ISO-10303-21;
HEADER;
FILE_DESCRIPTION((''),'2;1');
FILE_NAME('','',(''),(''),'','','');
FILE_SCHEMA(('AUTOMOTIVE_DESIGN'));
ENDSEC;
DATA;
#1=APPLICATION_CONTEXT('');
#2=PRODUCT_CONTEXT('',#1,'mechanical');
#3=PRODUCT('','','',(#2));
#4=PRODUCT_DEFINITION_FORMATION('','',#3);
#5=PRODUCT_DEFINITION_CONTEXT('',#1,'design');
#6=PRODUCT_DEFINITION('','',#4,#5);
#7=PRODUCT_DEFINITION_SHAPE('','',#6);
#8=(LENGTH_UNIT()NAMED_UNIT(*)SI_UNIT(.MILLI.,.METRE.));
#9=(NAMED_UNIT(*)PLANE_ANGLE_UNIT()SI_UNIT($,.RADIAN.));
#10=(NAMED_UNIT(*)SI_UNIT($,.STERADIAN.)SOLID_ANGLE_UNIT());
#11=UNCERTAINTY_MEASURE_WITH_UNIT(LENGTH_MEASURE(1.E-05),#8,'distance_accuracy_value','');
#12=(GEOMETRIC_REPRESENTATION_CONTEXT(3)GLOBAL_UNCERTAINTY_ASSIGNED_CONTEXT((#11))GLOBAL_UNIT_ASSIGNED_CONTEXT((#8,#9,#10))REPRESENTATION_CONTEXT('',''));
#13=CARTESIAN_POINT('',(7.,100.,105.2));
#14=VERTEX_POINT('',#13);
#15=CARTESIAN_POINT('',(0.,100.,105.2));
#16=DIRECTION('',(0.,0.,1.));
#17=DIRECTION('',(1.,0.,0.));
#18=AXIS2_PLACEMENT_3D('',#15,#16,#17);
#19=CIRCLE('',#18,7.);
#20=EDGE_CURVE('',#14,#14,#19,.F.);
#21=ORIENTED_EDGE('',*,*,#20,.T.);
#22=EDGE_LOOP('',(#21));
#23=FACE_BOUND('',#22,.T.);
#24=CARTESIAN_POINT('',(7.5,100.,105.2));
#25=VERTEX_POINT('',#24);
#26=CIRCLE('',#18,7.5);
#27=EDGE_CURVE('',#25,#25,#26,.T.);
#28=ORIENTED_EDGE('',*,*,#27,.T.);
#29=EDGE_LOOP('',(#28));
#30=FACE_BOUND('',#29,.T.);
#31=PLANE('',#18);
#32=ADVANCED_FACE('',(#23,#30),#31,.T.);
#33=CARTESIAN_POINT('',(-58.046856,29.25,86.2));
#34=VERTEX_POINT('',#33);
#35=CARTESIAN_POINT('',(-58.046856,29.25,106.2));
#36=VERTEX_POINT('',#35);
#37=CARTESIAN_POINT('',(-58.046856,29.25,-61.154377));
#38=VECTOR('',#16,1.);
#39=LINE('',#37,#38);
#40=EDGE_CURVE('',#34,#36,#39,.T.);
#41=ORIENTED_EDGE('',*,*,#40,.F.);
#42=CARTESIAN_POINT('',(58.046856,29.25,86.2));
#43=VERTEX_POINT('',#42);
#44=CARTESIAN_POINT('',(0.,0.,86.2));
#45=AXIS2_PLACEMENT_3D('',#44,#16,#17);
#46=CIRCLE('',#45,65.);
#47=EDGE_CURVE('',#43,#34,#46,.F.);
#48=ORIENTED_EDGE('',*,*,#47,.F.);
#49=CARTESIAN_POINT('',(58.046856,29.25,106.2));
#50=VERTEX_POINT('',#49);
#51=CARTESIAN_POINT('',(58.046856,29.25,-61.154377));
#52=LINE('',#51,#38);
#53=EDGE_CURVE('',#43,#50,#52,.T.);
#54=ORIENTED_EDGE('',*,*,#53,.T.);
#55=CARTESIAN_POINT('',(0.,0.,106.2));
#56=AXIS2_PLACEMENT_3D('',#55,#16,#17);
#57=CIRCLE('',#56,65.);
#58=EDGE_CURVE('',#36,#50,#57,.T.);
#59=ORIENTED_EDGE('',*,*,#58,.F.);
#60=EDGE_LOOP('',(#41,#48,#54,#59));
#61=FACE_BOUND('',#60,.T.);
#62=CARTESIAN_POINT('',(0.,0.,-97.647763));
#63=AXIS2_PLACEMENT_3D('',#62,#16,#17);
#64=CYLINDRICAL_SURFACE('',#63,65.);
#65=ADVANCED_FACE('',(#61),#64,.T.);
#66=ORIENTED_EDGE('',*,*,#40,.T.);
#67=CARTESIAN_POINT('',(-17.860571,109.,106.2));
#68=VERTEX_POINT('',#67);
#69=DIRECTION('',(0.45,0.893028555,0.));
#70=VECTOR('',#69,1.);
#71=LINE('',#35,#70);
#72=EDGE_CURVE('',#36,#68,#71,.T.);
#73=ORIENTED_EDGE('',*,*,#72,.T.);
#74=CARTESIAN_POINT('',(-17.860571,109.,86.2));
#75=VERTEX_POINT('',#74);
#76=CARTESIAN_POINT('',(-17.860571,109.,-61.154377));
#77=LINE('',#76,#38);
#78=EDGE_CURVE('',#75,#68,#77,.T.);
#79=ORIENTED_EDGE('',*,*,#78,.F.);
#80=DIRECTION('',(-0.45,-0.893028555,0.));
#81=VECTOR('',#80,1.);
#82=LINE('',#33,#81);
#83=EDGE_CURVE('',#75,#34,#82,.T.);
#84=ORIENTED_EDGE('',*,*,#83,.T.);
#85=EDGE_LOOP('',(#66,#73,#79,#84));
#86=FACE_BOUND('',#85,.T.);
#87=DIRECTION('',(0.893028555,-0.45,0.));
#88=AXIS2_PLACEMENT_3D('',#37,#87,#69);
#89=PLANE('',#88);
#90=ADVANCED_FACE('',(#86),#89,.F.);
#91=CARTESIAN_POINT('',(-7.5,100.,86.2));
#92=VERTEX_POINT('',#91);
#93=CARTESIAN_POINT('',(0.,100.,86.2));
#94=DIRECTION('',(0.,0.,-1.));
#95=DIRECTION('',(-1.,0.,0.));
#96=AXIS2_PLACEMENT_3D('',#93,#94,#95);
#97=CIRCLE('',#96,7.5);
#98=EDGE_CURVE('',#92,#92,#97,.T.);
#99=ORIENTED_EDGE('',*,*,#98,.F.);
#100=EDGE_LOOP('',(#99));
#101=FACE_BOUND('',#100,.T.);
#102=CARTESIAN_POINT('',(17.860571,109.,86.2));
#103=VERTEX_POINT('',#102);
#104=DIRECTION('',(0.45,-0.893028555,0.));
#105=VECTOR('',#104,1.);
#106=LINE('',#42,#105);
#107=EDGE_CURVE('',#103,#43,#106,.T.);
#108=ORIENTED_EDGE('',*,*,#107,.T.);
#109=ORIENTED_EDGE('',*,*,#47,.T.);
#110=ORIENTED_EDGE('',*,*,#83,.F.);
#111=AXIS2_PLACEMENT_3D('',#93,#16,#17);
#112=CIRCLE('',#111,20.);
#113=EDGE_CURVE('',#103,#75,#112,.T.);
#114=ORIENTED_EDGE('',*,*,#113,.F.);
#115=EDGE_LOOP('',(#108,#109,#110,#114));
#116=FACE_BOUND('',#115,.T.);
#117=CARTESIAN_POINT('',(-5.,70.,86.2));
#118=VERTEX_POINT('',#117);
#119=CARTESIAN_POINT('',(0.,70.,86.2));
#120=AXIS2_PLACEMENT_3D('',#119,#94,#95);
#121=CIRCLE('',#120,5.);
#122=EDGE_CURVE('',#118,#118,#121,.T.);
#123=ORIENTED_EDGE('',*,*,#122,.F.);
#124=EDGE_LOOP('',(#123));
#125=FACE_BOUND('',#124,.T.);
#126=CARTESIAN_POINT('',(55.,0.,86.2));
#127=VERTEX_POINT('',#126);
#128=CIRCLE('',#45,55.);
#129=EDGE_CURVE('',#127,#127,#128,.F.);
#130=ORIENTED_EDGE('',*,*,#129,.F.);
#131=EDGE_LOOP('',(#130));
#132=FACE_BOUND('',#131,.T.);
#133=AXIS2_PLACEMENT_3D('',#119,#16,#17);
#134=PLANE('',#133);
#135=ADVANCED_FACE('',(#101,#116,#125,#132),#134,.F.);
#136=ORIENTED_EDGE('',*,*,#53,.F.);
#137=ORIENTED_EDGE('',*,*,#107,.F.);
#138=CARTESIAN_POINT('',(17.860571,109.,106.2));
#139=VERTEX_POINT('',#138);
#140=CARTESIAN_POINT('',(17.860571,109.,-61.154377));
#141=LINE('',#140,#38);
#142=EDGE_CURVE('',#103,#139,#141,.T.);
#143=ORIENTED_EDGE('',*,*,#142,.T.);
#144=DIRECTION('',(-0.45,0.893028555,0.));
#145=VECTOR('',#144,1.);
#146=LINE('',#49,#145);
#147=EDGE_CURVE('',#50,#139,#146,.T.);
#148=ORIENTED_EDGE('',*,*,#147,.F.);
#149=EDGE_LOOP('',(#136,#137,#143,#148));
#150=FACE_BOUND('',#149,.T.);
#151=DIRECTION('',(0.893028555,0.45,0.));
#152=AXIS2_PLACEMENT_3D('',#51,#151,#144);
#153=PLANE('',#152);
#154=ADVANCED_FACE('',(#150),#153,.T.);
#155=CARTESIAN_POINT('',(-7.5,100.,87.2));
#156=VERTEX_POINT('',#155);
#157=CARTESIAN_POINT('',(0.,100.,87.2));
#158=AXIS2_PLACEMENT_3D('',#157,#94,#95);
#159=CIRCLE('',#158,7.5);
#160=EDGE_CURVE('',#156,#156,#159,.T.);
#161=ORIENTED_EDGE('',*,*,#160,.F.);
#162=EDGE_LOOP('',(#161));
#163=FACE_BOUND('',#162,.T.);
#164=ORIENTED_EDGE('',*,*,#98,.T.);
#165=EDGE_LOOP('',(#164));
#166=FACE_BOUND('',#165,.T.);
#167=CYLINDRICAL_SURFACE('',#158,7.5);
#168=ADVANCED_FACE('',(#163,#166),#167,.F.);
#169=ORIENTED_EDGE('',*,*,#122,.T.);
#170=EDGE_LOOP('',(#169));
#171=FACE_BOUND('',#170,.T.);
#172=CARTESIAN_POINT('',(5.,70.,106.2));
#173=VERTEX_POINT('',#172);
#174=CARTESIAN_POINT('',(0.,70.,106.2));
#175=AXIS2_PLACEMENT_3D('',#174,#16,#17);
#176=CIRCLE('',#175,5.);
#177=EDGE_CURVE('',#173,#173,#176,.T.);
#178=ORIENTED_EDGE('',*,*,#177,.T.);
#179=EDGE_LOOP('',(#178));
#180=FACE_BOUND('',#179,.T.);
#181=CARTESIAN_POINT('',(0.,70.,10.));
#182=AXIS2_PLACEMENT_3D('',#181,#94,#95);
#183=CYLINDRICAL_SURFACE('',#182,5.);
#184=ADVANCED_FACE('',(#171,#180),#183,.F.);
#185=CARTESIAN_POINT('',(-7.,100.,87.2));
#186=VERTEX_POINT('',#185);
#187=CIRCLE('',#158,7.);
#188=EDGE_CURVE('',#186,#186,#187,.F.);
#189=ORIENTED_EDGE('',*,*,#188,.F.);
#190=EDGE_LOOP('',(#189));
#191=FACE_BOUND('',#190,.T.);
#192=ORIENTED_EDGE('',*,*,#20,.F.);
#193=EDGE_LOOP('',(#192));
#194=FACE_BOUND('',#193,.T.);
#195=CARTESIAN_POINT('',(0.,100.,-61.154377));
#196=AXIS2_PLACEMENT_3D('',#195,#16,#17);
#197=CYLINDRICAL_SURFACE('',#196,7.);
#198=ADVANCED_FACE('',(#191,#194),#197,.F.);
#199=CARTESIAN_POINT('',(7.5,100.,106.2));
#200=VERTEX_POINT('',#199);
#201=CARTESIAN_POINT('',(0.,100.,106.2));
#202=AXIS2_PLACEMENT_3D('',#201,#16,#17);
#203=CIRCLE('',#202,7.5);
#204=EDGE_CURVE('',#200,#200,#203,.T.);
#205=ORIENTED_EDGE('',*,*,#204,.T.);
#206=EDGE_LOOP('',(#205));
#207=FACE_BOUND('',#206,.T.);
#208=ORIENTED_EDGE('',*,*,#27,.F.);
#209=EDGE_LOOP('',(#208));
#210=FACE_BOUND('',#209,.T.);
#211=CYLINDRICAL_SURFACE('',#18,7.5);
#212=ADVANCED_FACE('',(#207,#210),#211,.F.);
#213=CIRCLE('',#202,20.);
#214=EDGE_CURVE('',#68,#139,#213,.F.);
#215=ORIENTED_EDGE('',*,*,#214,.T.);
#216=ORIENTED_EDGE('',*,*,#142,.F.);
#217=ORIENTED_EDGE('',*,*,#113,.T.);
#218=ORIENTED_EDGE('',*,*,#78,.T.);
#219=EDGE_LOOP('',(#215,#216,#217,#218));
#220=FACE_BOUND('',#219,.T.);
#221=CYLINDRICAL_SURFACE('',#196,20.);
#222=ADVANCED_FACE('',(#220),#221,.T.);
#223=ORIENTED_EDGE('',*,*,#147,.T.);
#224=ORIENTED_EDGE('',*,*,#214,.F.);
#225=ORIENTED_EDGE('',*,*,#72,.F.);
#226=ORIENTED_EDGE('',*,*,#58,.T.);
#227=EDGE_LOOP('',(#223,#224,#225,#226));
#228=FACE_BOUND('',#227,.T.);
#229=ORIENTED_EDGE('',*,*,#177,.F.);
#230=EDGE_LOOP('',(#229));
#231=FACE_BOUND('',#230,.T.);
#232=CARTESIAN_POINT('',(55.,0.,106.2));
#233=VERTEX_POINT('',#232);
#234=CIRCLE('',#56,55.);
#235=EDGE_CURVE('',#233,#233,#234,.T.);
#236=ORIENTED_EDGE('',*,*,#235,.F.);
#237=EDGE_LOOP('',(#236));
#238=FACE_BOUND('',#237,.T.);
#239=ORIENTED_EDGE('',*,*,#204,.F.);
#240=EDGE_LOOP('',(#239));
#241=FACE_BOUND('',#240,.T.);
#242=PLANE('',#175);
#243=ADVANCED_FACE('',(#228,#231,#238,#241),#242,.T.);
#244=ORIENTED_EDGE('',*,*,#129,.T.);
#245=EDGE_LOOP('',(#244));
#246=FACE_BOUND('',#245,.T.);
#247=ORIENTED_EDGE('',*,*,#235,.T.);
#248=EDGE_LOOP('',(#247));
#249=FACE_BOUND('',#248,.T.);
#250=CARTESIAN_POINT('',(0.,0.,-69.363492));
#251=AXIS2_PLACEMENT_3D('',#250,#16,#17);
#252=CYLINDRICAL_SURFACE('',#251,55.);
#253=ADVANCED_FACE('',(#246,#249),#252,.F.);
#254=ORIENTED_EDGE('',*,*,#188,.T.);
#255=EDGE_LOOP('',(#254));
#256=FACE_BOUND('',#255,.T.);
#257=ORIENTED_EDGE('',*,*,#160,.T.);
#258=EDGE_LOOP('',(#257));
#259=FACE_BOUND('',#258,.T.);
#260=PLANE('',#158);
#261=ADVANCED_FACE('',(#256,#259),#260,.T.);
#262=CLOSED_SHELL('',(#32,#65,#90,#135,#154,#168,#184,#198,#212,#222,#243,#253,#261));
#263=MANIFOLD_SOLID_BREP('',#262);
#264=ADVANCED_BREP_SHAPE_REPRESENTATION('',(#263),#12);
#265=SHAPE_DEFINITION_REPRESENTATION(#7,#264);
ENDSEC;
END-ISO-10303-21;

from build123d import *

# Parameters (mm, degrees)
SKETCH2_R           = 5
BOSS_EXTRUDE1_DEPTH = 10
SKETCH3_R           = 10
SKETCH3_R_2         = 5
BOSS_EXTRUDE2_DEPTH = 76.2
BOSS_EXTRUDE3_START = 86.2
SKETCH2_2_R         = 5
BOSS_EXTRUDE3_DEPTH = 20
SKETCH5_R           = 65
BOSS_EXTRUDE4_DEPTH = 20
SKETCH6_R           = 55
CUT_EXTRUDE1_DEPTH  = 20
SKETCH7_R           = 80
CUT_EXTRUDE2_DEPTH  = 135.370532484
SKETCH8_R           = 7
BOSS_EXTRUDE6_DEPTH = 20
SKETCH9_R           = 7.5
CUT_EXTRUDE3_DEPTH  = 1
CUT_EXTRUDE4_START  = -1
SKETCH10_R          = 7.5
CUT_EXTRUDE4_DEPTH  = 1


with BuildPart() as part:
    # Sketch2 → Boss-Extrude1 (new body)
    with BuildSketch(Plane.XY):
        with BuildLine():
            Line((-19.794866372, 2.857142857), (-9.897433186, 71.428571429))
            ThreePointArc((-9.897433186, 71.428571429), (0, 80), (9.897433186, 71.428571429))
            Line((9.897433186, 71.428571429), (19.794866372, 2.857142857))
            ThreePointArc((19.794866372, 2.857142857), (0, -20), (-19.794866372, 2.857142857))
        make_face()
        with Locations((0, 70)):
            Circle(SKETCH2_R, mode=Mode.SUBTRACT)
        with BuildLine():
            Line((-2.5, 9.682458366), (-2.5, 12))
            Line((-2.5, 12), (2.5, 12))
            Line((2.5, 12), (2.5, 9.682458366))
            ThreePointArc((2.5, 9.682458366), (0, -10), (-2.5, 9.682458366))
        make_face(mode=Mode.SUBTRACT)
    extrude(amount=BOSS_EXTRUDE1_DEPTH)

    # Sketch3 → Boss-Extrude2 (add)
    with BuildSketch(Plane.XY.offset(10)):
        with Locations(Location((0, 70, 0), (0, 0, 171.786789298))):
            Circle(SKETCH3_R)
        with Locations((0, 70)):
            Circle(SKETCH3_R_2, mode=Mode.SUBTRACT)
    extrude(amount=BOSS_EXTRUDE2_DEPTH)

    # Sketch2<2> → Boss-Extrude3 (add)
    with BuildSketch(Plane.XY.offset(BOSS_EXTRUDE3_START)):
        with BuildLine():
            Line((-19.794866372, 2.857142857), (-9.897433186, 71.428571429))
            ThreePointArc((-9.897433186, 71.428571429), (0, 80), (9.897433186, 71.428571429))
            Line((9.897433186, 71.428571429), (19.794866372, 2.857142857))
            ThreePointArc((19.794866372, 2.857142857), (0, -20), (-19.794866372, 2.857142857))
        make_face()
        with Locations((0, 70)):
            Circle(SKETCH2_2_R, mode=Mode.SUBTRACT)
        with BuildLine():
            Line((-2.5, 9.682458366), (-2.5, 12))
            Line((-2.5, 12), (2.5, 12))
            Line((2.5, 12), (2.5, 9.682458366))
            ThreePointArc((2.5, 9.682458366), (0, -10), (-2.5, 9.682458366))
        make_face(mode=Mode.SUBTRACT)
    extrude(amount=BOSS_EXTRUDE3_DEPTH)

    # Sketch5 → Boss-Extrude4 (add)
    with BuildSketch(Plane.XY.offset(106.2)):
        Circle(SKETCH5_R)
    extrude(amount=-BOSS_EXTRUDE4_DEPTH)

    # Sketch6 → Cut-Extrude1 (cut)
    with BuildSketch(Plane.XY.offset(106.2)):
        Circle(SKETCH6_R)
    extrude(amount=-CUT_EXTRUDE1_DEPTH, mode=Mode.SUBTRACT)

    # Sketch7 → Cut-Extrude2 (cut, through all)
    with BuildSketch(Plane(origin=(0, 0, 86.2), x_dir=(-1, 0, 0), z_dir=(0, 0, -1))):
        Circle(SKETCH7_R)
    extrude(amount=CUT_EXTRUDE2_DEPTH, mode=Mode.SUBTRACT)

    # Sketch8 → Boss-Extrude6 (add)
    with BuildSketch(Plane.XY.offset(106.2)):
        with BuildLine():
            Line((-17.860571099, 109), (-58.046856073, 29.25))
            ThreePointArc((-58.046856073, 29.25), (-38.646753366, 52.263069698), (-10.959640032, 64.06938653))
            Line((-10.959640032, 64.06938653), (-9.897433186, 71.428571429))
            ThreePointArc((-9.897433186, 71.428571429), (0, 80), (9.897433186, 71.428571429))
            Line((9.897433186, 71.428571429), (10.959640032, 64.06938653))
            ThreePointArc((10.959640032, 64.06938653), (38.646753366, 52.263069698), (58.046856073, 29.25))
            Line((58.046856073, 29.25), (17.860571099, 109))
            ThreePointArc((17.860571099, 109), (0, 120), (-17.860571099, 109))
        make_face()
        with Locations((0, 100)):
            Circle(SKETCH8_R, mode=Mode.SUBTRACT)
    extrude(amount=-BOSS_EXTRUDE6_DEPTH)

    # Sketch9 → Cut-Extrude3 (cut)
    with BuildSketch(Plane.XY.offset(106.2)):
        with Locations((0, 100)):
            Circle(SKETCH9_R)
    extrude(amount=-CUT_EXTRUDE3_DEPTH, mode=Mode.SUBTRACT)

    # Sketch10 → Cut-Extrude4 (cut)
    with BuildSketch(Plane(origin=(0, 0, 86.2), x_dir=(-1, 0, 0), z_dir=(0, 0, -1)).offset(CUT_EXTRUDE4_START)):
        with Locations(Location((0, 100, 0), (0, 0, 180))):
            Circle(SKETCH10_R)
    extrude(amount=CUT_EXTRUDE4_DEPTH, mode=Mode.SUBTRACT)


solid = part.part
